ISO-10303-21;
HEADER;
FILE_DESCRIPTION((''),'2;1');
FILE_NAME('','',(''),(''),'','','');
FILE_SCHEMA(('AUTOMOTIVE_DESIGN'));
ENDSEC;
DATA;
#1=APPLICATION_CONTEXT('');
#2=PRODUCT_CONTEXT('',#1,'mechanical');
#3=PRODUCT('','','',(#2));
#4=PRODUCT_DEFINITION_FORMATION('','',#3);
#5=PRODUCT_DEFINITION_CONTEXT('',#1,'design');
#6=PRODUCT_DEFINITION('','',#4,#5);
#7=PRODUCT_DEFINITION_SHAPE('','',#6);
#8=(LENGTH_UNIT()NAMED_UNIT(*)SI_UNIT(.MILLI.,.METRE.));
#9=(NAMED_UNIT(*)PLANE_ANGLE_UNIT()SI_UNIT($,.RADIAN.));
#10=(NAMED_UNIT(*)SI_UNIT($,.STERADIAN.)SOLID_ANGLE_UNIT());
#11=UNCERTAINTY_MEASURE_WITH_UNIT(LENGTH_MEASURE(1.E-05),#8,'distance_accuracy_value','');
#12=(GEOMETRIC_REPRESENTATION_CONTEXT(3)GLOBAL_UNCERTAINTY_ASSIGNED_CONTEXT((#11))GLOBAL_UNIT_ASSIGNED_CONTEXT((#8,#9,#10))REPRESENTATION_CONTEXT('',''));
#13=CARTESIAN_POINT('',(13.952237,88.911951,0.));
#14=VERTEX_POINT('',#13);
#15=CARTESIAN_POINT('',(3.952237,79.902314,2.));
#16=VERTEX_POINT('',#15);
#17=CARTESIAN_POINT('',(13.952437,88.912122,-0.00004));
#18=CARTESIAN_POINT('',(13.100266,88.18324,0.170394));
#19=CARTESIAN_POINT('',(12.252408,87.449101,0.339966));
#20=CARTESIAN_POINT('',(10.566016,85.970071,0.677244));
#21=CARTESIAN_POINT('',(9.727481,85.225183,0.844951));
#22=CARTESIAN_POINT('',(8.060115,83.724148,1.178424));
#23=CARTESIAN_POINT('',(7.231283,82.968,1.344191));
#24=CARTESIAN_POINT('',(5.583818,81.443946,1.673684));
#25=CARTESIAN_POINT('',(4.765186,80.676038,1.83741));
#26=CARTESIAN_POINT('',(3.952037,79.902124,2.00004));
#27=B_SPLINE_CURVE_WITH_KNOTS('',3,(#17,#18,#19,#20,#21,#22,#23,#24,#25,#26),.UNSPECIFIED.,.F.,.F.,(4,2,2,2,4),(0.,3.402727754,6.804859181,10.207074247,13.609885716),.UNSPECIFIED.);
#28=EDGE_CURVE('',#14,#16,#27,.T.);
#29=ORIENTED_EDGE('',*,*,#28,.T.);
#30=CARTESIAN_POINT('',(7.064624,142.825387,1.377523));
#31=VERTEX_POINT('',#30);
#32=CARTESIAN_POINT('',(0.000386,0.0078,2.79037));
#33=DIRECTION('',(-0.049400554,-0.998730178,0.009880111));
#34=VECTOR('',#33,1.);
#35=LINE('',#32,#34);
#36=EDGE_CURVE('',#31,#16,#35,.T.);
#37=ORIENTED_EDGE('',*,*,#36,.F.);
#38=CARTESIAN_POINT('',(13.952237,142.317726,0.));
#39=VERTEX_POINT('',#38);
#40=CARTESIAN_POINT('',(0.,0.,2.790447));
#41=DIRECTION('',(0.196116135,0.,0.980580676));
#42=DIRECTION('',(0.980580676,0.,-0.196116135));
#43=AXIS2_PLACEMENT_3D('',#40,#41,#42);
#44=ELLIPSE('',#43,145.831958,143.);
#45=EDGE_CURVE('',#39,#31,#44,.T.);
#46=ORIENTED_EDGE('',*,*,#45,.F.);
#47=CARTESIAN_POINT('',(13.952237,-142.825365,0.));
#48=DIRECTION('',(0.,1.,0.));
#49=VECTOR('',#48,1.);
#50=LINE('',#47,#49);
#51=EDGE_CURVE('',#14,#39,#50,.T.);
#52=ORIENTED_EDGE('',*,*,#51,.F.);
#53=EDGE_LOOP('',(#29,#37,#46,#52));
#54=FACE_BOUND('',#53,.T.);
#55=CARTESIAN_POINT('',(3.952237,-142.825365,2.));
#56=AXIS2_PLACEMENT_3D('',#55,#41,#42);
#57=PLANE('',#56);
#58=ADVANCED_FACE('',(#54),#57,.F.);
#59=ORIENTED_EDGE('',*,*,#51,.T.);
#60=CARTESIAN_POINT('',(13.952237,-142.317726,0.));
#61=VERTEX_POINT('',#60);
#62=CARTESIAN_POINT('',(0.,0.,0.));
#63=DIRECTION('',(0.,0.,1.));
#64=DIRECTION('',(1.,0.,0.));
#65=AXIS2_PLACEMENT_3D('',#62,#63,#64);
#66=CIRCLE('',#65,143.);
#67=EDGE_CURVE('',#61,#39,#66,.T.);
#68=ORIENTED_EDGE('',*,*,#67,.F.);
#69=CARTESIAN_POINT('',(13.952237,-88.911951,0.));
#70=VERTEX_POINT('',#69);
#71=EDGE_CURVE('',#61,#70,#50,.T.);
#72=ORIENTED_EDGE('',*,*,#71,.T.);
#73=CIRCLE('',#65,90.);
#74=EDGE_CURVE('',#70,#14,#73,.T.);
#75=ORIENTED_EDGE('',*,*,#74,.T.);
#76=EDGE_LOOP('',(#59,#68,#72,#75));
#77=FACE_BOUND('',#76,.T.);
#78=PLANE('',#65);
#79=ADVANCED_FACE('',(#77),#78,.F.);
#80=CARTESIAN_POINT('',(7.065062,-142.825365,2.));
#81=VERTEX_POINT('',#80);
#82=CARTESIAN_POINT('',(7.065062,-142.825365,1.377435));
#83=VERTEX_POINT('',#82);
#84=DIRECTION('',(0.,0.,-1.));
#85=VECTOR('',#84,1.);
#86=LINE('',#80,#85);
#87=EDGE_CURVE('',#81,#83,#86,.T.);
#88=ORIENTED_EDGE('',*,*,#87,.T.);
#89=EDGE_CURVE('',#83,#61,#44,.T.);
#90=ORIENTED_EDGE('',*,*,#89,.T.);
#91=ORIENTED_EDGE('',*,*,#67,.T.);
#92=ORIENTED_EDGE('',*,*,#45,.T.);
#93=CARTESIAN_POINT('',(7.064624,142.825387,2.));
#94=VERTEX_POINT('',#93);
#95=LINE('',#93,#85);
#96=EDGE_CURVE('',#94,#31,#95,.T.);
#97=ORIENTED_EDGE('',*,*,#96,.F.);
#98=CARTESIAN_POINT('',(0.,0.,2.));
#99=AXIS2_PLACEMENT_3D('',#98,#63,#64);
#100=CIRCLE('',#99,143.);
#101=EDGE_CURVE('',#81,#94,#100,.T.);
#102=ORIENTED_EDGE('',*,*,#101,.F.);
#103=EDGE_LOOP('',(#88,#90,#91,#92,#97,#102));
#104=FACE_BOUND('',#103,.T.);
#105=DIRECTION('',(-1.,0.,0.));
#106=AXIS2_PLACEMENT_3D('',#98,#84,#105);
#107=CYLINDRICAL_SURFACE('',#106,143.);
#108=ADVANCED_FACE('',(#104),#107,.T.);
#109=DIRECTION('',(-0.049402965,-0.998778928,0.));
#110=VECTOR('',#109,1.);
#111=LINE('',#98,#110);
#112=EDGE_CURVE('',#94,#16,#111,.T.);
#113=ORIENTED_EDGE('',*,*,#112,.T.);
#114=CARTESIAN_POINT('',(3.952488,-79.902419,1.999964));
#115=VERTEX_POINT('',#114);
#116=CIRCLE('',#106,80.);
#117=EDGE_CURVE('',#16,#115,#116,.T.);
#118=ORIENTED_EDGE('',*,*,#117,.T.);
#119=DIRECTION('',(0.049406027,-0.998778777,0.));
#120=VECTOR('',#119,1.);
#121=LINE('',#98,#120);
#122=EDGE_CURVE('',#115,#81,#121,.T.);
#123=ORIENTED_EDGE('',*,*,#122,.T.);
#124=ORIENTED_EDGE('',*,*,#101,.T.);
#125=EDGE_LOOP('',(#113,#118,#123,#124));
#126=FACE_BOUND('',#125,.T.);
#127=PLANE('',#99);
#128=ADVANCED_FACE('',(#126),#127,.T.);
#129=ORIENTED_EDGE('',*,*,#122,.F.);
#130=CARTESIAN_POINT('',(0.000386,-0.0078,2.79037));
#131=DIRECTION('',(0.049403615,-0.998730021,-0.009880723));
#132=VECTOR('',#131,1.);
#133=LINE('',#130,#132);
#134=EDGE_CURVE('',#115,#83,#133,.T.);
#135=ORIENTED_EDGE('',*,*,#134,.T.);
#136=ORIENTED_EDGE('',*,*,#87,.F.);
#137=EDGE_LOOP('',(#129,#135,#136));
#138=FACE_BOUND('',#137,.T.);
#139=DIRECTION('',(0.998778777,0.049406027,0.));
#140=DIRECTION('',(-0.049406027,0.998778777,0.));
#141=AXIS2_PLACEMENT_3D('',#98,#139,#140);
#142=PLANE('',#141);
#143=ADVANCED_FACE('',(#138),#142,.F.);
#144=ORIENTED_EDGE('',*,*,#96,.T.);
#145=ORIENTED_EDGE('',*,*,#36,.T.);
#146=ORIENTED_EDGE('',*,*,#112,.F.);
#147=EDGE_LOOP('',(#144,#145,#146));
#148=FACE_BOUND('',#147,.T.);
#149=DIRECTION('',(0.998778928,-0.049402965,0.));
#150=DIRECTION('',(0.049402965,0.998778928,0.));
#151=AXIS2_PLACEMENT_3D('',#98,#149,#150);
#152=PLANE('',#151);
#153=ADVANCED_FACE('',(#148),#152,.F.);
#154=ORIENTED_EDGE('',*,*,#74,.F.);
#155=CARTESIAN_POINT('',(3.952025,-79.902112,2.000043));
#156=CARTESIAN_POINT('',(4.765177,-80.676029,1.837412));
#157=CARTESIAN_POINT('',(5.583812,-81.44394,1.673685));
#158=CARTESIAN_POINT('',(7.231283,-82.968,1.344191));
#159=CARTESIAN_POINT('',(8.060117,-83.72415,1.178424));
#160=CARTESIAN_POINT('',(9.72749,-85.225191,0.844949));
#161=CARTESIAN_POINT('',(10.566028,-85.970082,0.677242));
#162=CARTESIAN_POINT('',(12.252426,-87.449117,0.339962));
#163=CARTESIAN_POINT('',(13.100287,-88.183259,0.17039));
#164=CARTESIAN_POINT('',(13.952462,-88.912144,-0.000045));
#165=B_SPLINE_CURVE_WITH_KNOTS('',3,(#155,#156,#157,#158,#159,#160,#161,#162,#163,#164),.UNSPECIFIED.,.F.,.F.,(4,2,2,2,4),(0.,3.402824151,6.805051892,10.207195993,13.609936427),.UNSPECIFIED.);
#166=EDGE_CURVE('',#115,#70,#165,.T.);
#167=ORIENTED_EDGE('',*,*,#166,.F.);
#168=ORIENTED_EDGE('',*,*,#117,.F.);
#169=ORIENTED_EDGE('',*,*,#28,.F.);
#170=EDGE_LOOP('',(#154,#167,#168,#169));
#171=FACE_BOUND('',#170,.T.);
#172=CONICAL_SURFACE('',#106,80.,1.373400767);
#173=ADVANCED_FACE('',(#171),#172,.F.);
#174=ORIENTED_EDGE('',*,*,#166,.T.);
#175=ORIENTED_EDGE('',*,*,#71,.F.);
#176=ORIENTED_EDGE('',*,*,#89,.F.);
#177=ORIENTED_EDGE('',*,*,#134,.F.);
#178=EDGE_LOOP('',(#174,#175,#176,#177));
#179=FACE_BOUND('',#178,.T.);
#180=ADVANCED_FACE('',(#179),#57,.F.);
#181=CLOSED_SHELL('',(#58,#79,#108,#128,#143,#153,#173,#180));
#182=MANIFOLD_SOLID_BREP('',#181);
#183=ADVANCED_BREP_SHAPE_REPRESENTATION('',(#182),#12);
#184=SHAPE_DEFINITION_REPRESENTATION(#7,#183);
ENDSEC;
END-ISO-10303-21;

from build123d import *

# Parameters (mm, degrees)
BOSS_EXTRUDE1_DEPTH     = 2
CUT_EXTRUDE1_DEPTH      = 203.119002293
CUT_EXTRUDE1_DEPTH_BACK = 203.119002293
SKETCH2_R               = 80
CUT_EXTRUDE2_DEPTH      = 203.119002293
CUT_EXTRUDE2_DEPTH_BACK = 203.119002293


with BuildPart() as part:
    # Sketch1 → Boss-Extrude1 (new body)
    with BuildSketch(Plane.XY):
        with BuildLine():
            Line((0, 0), (7.064623984, 142.825386707))
            ThreePointArc((7.064623984, 142.825386707), (143, 0.000219219), (7.065061887, -142.825365046))
            Line((7.065061887, -142.825365046), (0, 0))
        make_face()
    extrude(amount=BOSS_EXTRUDE1_DEPTH)

    # Sketch2 → Cut-Extrude1 (cut, two sides: drawn at the far end of the back side and taken through both)
    with BuildSketch(Plane(origin=(0, 0, 0), x_dir=(-1, 0, 0), z_dir=(0, 0, -1)).offset(-CUT_EXTRUDE1_DEPTH_BACK)):
        Circle(SKETCH2_R)
    extrude(amount=CUT_EXTRUDE1_DEPTH + CUT_EXTRUDE1_DEPTH_BACK, mode=Mode.SUBTRACT)

    # Sketch3 → Cut-Extrude2 (cut, two sides: drawn at the far end of the back side and taken through both)
    with BuildSketch(Plane(origin=(0, 0, 0), x_dir=(1, 0, 0), z_dir=(0, 1, 0)).offset(-CUT_EXTRUDE2_DEPTH_BACK)):
        Polygon((3.952237194, -2), (13.952237194, 0), (3.952237194, 0), align=None)
    extrude(amount=CUT_EXTRUDE2_DEPTH + CUT_EXTRUDE2_DEPTH_BACK, mode=Mode.SUBTRACT)

    # Sketch5 → Cut-Revolve1 (revolve, cut)
    with BuildSketch(Plane(origin=(0, 0, 0), x_dir=(1, 0, 0), z_dir=(0, 1, 0))):
        Polygon((80, -2), (90, 0), (80, 0), align=None)
    revolve(axis=Axis((0, 0, 0), (0, 0, -1)), mode=Mode.SUBTRACT)


solid = part.part
